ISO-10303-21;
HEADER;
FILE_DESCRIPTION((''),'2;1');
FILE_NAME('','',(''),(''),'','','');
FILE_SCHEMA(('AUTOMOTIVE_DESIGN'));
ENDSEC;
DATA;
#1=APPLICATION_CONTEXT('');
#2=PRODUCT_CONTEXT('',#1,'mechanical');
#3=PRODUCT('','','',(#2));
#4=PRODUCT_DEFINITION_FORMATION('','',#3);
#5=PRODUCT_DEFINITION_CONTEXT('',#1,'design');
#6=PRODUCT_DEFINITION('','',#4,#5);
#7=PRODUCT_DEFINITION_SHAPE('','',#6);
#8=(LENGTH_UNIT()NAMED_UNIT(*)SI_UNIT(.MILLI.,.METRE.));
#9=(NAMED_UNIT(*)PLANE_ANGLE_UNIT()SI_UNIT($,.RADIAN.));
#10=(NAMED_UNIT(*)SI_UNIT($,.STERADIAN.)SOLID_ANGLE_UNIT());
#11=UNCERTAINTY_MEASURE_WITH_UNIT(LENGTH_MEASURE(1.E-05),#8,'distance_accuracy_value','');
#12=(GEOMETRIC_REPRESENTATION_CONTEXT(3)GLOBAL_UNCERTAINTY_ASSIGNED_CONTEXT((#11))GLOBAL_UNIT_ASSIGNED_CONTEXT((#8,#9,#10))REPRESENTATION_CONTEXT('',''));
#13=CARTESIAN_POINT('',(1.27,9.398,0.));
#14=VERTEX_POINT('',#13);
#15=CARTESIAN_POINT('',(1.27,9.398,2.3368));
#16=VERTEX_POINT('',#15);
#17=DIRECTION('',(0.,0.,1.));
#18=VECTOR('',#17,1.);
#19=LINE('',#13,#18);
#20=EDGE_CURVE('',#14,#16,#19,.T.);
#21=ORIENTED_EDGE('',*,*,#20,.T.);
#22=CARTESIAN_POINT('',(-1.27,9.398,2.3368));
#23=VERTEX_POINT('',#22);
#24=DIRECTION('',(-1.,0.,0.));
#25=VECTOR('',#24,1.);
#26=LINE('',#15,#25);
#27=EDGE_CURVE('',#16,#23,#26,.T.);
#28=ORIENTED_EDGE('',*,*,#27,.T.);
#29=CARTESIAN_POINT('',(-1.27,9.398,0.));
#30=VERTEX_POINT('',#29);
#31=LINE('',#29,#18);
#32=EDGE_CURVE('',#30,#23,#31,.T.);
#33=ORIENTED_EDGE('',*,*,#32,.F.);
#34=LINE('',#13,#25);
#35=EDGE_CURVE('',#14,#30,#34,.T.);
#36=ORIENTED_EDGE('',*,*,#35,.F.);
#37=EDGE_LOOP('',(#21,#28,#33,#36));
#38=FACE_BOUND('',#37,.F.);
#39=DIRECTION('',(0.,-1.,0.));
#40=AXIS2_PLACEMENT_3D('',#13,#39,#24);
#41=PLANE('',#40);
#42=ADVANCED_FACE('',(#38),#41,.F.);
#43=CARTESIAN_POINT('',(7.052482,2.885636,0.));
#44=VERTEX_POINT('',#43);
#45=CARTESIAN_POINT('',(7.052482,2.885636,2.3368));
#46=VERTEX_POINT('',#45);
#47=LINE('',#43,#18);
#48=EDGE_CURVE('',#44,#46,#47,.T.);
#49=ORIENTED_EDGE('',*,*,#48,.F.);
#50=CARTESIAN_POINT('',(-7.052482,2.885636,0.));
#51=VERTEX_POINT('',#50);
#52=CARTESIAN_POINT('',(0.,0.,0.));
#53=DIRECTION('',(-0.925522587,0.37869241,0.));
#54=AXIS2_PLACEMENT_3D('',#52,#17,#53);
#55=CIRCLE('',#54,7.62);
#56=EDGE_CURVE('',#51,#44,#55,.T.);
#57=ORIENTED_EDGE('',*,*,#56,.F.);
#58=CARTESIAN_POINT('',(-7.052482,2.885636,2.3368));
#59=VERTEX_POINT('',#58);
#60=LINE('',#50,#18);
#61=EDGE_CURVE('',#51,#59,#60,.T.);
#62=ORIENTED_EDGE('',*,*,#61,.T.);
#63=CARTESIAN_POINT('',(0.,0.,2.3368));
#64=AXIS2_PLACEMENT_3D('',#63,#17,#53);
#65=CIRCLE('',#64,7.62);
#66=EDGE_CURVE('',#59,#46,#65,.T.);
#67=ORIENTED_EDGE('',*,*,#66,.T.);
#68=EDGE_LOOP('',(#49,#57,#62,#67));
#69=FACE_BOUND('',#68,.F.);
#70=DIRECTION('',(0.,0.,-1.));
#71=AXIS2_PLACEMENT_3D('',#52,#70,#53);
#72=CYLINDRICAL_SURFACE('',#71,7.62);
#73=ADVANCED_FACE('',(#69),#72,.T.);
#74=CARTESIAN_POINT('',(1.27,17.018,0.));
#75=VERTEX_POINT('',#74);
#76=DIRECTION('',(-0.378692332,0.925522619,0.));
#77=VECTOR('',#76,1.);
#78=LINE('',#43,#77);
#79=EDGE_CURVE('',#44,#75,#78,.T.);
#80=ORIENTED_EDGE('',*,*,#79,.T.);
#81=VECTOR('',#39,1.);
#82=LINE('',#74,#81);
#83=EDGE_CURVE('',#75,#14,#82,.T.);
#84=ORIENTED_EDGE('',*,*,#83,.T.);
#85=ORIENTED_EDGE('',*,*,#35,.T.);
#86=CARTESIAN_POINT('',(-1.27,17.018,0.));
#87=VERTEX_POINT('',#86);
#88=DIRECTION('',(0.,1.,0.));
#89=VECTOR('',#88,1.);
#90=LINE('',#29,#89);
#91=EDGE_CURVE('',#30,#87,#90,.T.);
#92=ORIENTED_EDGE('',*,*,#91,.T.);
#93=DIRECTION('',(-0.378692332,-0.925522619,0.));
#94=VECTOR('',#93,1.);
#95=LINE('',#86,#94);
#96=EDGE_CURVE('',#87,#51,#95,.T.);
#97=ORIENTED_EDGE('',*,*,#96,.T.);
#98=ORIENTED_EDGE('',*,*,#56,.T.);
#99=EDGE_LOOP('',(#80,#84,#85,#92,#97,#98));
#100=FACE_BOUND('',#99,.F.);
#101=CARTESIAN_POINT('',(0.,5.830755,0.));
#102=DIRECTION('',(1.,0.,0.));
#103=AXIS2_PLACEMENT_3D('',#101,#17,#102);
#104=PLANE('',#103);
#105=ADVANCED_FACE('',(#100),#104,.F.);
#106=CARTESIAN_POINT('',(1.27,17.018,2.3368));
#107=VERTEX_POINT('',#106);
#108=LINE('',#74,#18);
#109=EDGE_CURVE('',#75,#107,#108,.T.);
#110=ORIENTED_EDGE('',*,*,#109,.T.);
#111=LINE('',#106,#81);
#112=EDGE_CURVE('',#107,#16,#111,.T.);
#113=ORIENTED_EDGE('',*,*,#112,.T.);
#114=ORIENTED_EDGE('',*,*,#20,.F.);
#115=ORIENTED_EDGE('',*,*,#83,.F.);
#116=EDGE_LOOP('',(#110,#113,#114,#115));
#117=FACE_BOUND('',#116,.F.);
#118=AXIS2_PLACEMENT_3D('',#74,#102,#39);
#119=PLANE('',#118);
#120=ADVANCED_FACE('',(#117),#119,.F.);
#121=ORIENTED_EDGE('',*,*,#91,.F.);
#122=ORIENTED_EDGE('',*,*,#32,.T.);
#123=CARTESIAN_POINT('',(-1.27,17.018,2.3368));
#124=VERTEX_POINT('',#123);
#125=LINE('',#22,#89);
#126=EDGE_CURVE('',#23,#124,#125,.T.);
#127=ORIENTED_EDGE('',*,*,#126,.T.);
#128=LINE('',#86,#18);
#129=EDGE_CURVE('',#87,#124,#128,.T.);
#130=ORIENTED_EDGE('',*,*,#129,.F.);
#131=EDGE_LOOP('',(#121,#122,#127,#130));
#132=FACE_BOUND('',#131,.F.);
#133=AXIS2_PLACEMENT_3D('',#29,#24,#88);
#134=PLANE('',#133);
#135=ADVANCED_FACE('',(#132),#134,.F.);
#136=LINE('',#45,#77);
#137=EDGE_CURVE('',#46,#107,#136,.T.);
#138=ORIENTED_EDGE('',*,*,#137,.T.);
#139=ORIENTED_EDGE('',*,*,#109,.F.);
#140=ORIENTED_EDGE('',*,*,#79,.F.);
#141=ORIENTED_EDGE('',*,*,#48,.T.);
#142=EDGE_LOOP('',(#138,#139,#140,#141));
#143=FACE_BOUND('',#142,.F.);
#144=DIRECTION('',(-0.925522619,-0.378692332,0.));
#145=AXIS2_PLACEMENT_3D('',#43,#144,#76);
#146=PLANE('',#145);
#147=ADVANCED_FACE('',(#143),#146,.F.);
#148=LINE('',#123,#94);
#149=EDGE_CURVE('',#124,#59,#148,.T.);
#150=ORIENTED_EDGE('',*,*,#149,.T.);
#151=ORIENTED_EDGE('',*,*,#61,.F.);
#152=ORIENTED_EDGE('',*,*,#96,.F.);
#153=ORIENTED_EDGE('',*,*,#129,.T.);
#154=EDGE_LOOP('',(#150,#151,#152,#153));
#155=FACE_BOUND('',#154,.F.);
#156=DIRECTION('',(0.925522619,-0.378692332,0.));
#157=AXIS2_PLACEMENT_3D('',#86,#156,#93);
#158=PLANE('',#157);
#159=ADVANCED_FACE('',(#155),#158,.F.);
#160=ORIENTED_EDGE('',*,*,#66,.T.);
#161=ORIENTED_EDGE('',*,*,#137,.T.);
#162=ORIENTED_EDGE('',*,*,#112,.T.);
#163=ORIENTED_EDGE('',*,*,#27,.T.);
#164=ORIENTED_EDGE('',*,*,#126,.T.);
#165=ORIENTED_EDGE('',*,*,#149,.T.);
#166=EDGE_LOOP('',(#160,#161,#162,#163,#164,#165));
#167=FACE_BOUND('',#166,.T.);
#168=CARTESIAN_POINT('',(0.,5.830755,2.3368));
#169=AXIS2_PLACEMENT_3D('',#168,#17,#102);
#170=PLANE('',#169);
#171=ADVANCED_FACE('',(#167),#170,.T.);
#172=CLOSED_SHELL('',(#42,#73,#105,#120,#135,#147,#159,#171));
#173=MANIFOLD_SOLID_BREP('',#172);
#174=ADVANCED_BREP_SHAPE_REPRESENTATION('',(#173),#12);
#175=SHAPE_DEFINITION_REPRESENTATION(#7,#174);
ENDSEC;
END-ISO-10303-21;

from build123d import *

# Parameters (mm, degrees)
F1_DEPTH = 2.3368


with BuildPart() as f1:
    # F0 (on Top) → F1 (new body)
    with BuildSketch(Plane.XY):
        with BuildLine():
            Line((-1.27, 17.018), (-7.052482, 2.885636))
            ThreePointArc((-7.052482, 2.885636), (0, -7.62), (7.052482, 2.885636))
            Line((7.052482, 2.885636), (1.27, 17.018))
            Line((1.27, 17.018), (1.27, 9.398))
            Line((1.27, 9.398), (-1.27, 9.398))
            Line((-1.27, 9.398), (-1.27, 17.018))
        make_face()
    extrude(amount=F1_DEPTH)


solid = f1.part
